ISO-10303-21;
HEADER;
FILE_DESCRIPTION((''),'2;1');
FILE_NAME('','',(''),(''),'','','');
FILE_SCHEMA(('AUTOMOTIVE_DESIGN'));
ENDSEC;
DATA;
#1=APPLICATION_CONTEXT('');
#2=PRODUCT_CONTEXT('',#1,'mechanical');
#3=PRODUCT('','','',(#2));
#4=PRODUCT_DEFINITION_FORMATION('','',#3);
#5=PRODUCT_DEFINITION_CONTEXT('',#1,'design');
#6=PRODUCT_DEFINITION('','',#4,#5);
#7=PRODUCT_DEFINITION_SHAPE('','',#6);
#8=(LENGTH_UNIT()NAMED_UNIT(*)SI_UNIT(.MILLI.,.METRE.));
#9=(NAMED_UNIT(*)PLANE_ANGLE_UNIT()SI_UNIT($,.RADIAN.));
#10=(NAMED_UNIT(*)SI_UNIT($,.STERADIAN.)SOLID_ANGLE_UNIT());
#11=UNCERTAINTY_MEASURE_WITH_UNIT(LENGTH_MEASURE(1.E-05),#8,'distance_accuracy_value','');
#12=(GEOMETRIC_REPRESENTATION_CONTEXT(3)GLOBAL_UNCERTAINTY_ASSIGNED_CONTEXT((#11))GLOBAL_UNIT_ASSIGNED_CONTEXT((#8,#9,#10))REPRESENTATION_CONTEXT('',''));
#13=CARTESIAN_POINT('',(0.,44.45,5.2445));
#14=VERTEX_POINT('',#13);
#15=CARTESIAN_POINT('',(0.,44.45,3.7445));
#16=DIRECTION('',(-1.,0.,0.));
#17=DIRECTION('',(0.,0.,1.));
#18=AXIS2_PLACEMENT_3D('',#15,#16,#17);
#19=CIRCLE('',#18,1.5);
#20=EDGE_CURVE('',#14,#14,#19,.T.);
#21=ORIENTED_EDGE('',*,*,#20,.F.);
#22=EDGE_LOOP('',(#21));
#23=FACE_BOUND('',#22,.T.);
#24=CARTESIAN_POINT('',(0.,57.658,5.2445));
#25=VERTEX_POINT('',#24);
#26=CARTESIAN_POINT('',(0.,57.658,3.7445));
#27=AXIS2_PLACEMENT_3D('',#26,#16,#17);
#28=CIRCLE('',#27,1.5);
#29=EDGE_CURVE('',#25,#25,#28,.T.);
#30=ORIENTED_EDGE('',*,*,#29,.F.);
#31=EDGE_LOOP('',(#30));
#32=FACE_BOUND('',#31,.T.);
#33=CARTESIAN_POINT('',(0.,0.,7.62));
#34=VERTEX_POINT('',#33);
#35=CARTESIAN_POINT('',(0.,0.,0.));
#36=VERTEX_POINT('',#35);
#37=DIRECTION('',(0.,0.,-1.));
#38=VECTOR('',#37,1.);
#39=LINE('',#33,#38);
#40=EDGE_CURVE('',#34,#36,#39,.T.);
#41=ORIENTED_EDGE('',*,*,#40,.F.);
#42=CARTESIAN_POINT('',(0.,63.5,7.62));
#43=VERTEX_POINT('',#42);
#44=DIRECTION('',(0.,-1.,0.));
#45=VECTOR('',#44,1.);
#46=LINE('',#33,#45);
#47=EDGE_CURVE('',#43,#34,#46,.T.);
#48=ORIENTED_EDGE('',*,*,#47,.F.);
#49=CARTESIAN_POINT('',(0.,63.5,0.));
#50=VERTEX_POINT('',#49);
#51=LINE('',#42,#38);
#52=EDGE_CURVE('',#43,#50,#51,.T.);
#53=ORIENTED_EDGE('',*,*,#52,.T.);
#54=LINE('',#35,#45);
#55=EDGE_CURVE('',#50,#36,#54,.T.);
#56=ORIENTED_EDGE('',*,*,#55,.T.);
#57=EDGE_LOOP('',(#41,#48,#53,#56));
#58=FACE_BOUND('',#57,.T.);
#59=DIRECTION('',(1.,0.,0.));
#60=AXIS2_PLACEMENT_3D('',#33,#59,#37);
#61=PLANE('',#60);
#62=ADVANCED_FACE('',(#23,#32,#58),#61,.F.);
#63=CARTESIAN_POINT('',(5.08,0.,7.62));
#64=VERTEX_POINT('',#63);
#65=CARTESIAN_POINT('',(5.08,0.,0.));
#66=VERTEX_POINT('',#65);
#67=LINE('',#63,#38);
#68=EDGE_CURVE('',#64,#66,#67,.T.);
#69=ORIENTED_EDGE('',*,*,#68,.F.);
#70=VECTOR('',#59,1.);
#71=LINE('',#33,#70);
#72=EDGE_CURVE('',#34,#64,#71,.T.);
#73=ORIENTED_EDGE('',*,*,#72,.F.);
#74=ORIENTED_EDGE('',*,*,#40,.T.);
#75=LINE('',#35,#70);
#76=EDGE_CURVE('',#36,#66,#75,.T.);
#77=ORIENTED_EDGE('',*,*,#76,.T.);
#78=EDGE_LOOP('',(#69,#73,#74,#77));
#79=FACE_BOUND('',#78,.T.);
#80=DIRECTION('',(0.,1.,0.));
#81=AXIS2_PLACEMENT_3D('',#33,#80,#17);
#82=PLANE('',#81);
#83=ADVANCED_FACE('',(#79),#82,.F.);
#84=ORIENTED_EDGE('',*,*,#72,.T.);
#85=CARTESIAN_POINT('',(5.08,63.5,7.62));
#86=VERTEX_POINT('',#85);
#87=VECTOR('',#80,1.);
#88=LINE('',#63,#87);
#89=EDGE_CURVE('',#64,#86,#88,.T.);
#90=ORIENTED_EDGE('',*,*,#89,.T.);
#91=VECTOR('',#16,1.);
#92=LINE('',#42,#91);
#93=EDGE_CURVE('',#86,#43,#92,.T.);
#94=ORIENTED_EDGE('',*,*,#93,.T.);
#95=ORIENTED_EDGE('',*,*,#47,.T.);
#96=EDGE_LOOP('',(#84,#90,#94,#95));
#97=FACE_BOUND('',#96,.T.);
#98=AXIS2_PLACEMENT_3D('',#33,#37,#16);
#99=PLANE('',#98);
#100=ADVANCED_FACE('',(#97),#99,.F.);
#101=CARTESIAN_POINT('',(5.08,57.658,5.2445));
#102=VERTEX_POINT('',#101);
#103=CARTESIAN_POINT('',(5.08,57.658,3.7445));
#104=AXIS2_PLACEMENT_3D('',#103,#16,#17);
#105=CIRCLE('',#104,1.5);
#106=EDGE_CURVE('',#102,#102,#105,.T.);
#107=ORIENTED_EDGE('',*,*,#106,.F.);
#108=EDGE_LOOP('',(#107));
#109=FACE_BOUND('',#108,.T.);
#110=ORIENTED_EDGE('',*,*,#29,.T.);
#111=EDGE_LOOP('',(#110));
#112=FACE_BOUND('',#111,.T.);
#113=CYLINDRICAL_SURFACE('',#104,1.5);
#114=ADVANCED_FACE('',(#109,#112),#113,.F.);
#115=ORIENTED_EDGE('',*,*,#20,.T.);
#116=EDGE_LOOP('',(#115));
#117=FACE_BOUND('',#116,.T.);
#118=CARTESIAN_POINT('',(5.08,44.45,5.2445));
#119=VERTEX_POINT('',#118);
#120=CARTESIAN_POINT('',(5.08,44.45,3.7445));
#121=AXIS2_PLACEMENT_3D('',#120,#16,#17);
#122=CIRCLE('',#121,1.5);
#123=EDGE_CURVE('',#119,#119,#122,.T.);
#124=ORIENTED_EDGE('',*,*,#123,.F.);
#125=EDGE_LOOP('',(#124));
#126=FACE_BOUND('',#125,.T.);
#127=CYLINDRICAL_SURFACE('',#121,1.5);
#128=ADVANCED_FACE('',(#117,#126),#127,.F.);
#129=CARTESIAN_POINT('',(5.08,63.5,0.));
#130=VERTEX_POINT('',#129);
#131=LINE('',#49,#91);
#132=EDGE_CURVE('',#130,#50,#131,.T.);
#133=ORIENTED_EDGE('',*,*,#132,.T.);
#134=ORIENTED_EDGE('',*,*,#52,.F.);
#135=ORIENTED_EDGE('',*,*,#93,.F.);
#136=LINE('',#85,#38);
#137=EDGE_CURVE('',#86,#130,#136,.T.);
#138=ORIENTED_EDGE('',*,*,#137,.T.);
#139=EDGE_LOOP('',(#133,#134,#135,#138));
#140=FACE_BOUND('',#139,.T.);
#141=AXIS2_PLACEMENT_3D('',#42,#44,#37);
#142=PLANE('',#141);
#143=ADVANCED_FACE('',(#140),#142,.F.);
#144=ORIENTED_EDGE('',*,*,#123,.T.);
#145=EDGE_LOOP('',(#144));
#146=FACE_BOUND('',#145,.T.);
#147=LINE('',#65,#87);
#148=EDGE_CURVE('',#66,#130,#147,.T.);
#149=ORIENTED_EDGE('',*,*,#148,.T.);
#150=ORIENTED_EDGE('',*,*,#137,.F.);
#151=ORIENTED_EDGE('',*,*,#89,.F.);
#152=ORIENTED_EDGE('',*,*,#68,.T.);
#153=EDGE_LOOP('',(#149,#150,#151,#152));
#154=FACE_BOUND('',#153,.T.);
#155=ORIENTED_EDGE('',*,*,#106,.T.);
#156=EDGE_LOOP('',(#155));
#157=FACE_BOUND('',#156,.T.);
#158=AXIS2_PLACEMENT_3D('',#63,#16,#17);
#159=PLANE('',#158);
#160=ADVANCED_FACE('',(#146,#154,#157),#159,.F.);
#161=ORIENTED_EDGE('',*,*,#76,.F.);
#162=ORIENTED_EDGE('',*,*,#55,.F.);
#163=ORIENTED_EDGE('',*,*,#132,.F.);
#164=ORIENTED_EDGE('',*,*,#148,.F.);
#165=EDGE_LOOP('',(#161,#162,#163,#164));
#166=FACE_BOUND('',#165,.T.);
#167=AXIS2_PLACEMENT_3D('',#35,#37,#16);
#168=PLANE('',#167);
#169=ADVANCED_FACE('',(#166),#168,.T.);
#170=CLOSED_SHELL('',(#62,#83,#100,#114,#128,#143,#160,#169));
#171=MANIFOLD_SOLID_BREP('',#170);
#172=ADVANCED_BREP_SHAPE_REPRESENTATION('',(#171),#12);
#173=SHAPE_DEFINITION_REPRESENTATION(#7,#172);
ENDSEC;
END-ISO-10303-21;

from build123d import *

# Parameters (mm, degrees)
SKETCH1_W           = 5.08
SKETCH1_H           = 63.5
BOSS_EXTRUDE1_DEPTH = 7.62
SKETCH2_R           = 1.5
CUT_EXTRUDE1_DEPTH  = 6.08


with BuildPart() as part:
    # Sketch1 → Boss-Extrude1 (new body)
    with BuildSketch(Plane.XY):
        with Locations((2.54, 31.75)):
            Rectangle(SKETCH1_W, SKETCH1_H)
    extrude(amount=BOSS_EXTRUDE1_DEPTH)

    # Sketch2 → Cut-Extrude1 (cut, through all)
    with BuildSketch(Plane.ZY):
        with Locations((3.744499847, 57.658)):
            Circle(SKETCH2_R)
        with Locations((3.744499847, 44.45)):
            Circle(SKETCH2_R)
    extrude(amount=-CUT_EXTRUDE1_DEPTH, mode=Mode.SUBTRACT)


solid = part.part
